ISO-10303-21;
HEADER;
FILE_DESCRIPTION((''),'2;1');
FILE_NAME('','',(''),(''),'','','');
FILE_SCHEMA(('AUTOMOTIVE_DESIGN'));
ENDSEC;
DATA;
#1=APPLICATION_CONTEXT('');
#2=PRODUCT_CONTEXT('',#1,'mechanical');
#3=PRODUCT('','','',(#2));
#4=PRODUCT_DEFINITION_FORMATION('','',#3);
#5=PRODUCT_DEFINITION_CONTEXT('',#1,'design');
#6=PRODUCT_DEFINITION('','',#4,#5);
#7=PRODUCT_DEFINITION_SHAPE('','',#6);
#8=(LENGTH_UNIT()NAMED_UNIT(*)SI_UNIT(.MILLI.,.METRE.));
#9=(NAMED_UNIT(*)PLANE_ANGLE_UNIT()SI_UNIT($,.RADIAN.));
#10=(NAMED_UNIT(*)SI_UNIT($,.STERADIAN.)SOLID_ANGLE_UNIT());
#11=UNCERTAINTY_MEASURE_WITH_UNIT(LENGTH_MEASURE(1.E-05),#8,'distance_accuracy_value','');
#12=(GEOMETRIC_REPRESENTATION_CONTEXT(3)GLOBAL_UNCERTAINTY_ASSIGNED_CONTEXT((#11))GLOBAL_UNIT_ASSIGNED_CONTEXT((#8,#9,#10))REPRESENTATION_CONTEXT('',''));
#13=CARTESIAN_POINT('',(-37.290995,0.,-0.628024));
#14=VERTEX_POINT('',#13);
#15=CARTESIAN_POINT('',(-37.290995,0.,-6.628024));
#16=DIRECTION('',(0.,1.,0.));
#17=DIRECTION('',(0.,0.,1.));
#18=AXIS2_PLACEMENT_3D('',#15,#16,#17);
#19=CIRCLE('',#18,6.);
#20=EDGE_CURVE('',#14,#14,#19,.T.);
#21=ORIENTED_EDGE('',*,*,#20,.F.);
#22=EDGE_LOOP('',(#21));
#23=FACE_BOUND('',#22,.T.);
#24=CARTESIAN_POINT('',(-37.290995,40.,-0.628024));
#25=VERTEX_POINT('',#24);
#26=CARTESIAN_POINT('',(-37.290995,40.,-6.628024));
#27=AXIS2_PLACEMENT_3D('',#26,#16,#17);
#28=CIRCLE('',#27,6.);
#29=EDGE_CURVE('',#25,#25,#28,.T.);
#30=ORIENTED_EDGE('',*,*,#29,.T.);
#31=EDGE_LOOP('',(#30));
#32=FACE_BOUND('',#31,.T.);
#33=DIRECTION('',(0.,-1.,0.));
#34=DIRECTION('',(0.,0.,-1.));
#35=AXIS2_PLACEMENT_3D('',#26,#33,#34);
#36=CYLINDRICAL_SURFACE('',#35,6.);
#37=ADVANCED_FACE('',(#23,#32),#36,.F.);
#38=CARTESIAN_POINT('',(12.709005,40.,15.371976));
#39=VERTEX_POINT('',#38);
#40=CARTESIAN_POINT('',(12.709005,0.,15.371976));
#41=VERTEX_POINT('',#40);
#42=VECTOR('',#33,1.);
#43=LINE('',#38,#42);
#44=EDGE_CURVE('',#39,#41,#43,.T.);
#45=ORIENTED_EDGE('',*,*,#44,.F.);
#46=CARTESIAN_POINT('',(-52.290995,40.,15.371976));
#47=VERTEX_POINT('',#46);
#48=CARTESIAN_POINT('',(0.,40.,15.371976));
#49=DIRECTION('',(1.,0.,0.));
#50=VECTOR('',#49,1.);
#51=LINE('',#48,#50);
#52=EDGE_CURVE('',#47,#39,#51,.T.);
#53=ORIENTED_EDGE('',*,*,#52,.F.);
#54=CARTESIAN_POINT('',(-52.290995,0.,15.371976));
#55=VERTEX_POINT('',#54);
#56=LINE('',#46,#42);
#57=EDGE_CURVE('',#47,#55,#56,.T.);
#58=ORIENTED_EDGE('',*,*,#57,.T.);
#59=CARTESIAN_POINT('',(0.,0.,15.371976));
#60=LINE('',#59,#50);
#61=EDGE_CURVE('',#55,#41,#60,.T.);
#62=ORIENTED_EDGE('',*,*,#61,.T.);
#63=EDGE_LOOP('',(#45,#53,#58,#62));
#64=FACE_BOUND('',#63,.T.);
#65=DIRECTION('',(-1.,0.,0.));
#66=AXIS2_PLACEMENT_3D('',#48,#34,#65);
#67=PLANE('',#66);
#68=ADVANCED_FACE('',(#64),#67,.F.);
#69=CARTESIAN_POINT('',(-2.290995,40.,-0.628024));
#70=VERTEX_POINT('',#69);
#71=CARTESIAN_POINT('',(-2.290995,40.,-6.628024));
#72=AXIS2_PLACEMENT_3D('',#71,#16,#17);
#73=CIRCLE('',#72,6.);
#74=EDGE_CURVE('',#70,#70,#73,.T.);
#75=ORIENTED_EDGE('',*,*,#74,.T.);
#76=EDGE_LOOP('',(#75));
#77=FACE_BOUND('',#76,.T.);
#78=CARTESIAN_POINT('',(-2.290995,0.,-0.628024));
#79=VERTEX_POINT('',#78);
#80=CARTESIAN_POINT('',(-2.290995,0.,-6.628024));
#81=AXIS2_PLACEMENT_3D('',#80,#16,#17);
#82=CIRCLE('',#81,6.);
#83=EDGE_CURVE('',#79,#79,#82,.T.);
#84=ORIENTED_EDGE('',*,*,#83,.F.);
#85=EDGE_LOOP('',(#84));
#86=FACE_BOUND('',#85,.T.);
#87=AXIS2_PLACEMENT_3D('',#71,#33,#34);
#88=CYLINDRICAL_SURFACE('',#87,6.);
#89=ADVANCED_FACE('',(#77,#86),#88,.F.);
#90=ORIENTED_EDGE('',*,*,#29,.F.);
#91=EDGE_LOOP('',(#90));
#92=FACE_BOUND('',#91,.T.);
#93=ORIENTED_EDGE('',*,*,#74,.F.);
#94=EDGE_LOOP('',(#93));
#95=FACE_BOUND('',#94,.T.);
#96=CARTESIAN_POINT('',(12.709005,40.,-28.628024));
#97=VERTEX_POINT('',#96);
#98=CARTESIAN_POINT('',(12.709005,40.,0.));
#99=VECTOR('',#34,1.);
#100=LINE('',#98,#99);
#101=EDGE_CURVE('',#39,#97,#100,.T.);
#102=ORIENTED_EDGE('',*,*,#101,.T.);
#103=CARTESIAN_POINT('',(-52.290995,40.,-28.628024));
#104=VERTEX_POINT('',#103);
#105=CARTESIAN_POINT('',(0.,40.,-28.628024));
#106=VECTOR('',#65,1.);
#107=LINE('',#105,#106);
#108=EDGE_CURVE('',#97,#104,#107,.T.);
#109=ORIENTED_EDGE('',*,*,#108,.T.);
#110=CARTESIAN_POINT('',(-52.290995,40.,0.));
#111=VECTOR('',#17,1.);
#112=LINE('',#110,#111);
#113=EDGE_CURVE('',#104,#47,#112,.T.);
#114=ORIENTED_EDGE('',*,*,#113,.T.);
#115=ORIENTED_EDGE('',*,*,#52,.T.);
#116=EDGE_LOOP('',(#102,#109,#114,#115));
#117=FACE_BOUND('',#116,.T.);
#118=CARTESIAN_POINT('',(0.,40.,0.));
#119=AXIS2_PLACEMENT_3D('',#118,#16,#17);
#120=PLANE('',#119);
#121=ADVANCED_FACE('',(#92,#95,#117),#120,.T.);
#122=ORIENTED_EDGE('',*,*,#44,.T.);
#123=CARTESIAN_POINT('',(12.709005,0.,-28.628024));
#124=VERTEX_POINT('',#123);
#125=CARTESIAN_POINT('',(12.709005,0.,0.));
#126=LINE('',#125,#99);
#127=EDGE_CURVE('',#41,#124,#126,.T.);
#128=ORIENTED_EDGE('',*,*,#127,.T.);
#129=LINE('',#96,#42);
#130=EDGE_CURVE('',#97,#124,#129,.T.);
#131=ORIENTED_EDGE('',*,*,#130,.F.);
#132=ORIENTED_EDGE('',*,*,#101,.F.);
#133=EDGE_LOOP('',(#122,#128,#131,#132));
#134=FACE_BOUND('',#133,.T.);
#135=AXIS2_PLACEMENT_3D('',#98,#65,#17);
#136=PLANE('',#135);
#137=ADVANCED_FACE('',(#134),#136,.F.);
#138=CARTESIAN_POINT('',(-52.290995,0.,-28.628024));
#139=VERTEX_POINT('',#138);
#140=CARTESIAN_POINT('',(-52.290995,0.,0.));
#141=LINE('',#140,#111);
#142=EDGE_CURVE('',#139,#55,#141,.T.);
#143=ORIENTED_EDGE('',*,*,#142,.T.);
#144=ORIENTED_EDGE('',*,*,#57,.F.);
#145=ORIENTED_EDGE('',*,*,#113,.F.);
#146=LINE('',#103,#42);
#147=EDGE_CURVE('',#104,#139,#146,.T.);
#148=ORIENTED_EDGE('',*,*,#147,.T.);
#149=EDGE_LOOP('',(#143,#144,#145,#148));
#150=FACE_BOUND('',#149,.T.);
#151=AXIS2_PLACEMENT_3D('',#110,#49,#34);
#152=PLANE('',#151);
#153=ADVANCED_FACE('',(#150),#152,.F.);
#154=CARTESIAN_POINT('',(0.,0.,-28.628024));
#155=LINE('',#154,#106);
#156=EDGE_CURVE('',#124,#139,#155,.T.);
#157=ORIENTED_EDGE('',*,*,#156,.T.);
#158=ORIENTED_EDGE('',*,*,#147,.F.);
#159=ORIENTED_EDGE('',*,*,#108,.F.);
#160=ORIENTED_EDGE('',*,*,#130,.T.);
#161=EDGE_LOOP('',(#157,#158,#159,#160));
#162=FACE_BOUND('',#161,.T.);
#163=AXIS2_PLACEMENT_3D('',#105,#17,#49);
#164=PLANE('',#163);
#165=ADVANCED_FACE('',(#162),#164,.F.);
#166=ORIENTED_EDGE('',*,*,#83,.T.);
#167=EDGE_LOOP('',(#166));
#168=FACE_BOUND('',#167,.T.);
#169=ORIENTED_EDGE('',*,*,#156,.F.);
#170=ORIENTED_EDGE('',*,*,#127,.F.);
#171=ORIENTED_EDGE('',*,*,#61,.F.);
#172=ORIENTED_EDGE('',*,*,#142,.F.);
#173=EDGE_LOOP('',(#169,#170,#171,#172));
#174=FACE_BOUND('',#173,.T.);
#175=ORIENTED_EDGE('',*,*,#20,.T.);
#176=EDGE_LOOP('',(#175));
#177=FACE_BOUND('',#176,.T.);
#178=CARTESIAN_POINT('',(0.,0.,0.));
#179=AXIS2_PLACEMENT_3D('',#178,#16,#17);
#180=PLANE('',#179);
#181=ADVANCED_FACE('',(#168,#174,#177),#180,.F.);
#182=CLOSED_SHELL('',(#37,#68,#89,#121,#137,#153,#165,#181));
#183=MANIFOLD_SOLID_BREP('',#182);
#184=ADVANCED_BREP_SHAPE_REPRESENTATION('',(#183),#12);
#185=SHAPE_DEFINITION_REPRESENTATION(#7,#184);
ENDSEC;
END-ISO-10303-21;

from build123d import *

# Parameters (mm, degrees)
SKETCH1_W           = 65
SKETCH1_H           = 44
SKETCH1_R           = 6
BOSS_EXTRUDE1_DEPTH = 40


with BuildPart() as part:
    # Sketch1 → Boss-Extrude1 (new body)
    with BuildSketch(Plane(origin=(0, 0, 0), x_dir=(1, 0, 0), z_dir=(0, 1, 0))):
        with Locations((-19.790994624, 6.628024194)):
            Rectangle(SKETCH1_W, SKETCH1_H)
        with Locations((-2.290994624, 6.628024194)):
            Circle(SKETCH1_R, mode=Mode.SUBTRACT)
        with Locations((-37.290994624, 6.628024194)):
            Circle(SKETCH1_R, mode=Mode.SUBTRACT)
    extrude(amount=BOSS_EXTRUDE1_DEPTH)


solid = part.part
